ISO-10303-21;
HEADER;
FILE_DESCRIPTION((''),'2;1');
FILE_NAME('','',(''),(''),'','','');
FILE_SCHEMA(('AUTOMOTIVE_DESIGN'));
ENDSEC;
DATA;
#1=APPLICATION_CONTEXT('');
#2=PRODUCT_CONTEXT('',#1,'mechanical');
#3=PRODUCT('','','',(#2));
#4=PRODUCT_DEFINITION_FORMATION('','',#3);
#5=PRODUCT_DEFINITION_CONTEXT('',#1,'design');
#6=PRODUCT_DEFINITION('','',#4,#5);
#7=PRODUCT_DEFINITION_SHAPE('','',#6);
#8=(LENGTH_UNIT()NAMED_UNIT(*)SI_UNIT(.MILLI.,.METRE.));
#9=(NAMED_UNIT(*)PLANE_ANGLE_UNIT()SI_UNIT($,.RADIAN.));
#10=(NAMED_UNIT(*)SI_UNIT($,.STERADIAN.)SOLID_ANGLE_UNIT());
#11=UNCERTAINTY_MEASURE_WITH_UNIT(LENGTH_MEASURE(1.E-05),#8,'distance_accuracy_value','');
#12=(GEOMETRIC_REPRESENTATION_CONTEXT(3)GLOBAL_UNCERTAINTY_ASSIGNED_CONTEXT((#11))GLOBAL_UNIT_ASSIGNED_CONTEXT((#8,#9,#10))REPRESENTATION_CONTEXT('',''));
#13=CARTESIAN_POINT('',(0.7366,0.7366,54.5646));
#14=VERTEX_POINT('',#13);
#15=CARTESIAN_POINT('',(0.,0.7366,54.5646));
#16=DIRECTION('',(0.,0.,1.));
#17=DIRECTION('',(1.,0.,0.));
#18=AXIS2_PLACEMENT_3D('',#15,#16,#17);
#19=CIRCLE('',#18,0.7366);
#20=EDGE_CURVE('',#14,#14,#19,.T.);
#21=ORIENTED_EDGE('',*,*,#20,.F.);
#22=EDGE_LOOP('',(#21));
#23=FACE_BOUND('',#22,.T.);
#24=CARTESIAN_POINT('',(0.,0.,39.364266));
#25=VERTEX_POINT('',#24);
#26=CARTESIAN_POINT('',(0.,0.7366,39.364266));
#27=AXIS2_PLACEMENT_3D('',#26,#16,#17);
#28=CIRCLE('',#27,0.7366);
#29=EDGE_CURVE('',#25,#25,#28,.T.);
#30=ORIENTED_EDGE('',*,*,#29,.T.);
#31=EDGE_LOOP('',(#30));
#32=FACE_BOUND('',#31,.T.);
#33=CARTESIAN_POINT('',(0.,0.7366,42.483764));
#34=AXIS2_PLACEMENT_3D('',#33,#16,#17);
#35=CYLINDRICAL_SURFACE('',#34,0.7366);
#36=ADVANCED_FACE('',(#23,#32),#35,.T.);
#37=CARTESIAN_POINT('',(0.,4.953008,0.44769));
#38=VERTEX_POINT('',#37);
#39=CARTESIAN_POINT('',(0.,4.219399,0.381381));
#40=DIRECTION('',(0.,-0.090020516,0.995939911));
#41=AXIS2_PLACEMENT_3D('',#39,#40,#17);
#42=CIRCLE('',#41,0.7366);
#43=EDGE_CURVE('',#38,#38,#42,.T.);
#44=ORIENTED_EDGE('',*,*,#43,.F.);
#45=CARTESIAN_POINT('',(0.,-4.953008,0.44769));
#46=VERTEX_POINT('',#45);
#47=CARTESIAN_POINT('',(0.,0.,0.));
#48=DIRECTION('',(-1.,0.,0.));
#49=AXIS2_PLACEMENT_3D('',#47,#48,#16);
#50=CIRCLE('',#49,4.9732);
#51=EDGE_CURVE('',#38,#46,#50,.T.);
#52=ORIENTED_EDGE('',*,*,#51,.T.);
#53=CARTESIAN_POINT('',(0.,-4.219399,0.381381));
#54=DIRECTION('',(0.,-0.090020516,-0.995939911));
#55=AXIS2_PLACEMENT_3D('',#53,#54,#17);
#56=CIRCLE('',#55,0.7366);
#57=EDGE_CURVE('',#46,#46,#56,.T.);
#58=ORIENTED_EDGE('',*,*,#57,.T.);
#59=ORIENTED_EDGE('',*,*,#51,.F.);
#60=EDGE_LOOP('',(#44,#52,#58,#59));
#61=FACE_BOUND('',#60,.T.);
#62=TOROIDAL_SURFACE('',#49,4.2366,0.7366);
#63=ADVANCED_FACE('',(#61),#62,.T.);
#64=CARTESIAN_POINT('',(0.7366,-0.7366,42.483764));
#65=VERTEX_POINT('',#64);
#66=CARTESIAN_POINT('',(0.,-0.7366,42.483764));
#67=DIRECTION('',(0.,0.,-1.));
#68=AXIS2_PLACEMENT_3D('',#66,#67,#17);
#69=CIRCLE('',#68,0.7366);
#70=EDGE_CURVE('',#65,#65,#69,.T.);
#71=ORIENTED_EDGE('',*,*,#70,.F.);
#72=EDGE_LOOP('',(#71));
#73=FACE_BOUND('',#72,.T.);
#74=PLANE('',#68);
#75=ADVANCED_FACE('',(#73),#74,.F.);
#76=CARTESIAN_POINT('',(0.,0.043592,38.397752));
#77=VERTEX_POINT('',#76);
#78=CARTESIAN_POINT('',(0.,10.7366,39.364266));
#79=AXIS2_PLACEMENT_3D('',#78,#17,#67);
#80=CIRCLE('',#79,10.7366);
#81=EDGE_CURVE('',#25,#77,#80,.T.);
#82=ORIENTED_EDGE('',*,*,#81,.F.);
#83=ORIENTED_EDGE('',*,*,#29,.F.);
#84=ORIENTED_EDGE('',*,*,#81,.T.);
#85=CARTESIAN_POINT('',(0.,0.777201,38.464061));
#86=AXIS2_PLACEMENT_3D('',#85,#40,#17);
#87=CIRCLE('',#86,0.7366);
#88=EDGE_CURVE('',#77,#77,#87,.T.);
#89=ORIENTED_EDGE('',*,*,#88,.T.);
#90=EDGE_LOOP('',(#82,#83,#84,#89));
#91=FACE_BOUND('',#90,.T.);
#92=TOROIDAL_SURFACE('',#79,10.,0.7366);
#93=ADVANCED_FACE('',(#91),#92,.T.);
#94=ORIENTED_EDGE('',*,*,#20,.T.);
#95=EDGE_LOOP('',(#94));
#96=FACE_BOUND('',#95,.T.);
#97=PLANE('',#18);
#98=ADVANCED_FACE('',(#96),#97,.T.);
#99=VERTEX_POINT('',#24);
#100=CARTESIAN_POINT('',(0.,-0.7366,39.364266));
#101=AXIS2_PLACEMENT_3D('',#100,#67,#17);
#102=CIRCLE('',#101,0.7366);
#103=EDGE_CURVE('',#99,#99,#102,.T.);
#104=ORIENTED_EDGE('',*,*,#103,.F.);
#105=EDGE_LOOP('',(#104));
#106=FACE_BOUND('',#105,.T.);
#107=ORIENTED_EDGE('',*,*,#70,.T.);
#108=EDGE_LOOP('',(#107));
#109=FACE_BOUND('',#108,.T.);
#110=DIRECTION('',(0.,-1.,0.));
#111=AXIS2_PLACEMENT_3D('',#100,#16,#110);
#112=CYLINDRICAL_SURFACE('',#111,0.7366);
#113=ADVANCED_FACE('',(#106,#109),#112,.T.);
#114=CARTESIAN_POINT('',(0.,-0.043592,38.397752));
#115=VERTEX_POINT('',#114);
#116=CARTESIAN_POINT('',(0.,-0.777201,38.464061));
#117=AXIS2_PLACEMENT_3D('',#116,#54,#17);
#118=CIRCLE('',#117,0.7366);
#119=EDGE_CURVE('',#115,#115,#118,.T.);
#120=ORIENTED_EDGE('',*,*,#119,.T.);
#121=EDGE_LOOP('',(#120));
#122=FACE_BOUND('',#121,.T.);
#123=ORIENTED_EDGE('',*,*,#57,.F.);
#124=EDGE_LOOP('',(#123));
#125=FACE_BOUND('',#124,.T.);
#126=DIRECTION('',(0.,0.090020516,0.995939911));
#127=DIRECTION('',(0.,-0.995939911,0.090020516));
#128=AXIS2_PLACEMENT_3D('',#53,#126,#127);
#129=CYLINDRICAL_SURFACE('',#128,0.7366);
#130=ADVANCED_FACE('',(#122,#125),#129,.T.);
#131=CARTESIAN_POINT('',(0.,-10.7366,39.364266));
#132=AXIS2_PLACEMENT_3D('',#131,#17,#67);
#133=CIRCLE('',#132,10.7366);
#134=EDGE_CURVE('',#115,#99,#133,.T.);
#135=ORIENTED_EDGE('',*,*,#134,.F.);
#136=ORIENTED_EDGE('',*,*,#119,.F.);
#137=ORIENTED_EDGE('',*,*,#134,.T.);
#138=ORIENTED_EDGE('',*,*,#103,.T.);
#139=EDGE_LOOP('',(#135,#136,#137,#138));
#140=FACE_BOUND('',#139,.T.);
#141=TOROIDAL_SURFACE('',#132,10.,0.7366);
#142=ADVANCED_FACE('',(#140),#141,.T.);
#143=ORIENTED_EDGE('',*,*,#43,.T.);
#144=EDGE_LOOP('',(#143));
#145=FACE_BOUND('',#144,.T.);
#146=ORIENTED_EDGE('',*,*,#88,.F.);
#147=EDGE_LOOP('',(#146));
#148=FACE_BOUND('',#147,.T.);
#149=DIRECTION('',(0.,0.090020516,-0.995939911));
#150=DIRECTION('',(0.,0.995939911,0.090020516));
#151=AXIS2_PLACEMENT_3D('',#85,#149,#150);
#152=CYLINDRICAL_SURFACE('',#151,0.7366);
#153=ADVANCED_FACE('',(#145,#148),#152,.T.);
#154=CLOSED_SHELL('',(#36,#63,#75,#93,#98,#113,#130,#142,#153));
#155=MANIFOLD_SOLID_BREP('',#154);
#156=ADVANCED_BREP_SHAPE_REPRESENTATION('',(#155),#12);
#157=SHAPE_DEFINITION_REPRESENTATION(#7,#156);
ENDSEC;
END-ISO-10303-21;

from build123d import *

# Parameters (mm, degrees)
SKETCH2_R = 0.7366


with BuildPart() as part:
    # Sweep1: sweep along a path in Sketch1
    with BuildLine(Plane(origin=(0, 0, 0), x_dir=(0, 0, -1), z_dir=(1, 0, 0))) as sweep1_path:
        Line((-42.483763873, -0.7366), (-39.364266321, -0.7366))
        ThreePointArc((-39.364266321, -0.7366), (-38.913706182, -0.746755379), (-38.464061165, -0.777200888))
        Line((-38.464061165, -0.777200888), (-0.381380916, -4.219399028))
        ThreePointArc((-0.381380916, -4.219399028), (4.2366, 0), (-0.381380916, 4.219399028))
        Line((-0.381380916, 4.219399028), (-38.464061165, 0.777200888))
        ThreePointArc((-38.464061165, 0.777200888), (-38.913706182, 0.746755379), (-39.364266321, 0.7366))
        Line((-39.364266321, 0.7366), (-42.483763873, 0.7366))
        Line((-42.483763873, 0.7366), (-54.56460022, 0.7366))
    # Sketch2 → Sweep1 (sweep)
    with BuildSketch(Plane.XY.offset(54.56460022)):
        with Locations((0, 0.7366)):
            Circle(SKETCH2_R)
    sweep(path=sweep1_path.line)


solid = part.part
